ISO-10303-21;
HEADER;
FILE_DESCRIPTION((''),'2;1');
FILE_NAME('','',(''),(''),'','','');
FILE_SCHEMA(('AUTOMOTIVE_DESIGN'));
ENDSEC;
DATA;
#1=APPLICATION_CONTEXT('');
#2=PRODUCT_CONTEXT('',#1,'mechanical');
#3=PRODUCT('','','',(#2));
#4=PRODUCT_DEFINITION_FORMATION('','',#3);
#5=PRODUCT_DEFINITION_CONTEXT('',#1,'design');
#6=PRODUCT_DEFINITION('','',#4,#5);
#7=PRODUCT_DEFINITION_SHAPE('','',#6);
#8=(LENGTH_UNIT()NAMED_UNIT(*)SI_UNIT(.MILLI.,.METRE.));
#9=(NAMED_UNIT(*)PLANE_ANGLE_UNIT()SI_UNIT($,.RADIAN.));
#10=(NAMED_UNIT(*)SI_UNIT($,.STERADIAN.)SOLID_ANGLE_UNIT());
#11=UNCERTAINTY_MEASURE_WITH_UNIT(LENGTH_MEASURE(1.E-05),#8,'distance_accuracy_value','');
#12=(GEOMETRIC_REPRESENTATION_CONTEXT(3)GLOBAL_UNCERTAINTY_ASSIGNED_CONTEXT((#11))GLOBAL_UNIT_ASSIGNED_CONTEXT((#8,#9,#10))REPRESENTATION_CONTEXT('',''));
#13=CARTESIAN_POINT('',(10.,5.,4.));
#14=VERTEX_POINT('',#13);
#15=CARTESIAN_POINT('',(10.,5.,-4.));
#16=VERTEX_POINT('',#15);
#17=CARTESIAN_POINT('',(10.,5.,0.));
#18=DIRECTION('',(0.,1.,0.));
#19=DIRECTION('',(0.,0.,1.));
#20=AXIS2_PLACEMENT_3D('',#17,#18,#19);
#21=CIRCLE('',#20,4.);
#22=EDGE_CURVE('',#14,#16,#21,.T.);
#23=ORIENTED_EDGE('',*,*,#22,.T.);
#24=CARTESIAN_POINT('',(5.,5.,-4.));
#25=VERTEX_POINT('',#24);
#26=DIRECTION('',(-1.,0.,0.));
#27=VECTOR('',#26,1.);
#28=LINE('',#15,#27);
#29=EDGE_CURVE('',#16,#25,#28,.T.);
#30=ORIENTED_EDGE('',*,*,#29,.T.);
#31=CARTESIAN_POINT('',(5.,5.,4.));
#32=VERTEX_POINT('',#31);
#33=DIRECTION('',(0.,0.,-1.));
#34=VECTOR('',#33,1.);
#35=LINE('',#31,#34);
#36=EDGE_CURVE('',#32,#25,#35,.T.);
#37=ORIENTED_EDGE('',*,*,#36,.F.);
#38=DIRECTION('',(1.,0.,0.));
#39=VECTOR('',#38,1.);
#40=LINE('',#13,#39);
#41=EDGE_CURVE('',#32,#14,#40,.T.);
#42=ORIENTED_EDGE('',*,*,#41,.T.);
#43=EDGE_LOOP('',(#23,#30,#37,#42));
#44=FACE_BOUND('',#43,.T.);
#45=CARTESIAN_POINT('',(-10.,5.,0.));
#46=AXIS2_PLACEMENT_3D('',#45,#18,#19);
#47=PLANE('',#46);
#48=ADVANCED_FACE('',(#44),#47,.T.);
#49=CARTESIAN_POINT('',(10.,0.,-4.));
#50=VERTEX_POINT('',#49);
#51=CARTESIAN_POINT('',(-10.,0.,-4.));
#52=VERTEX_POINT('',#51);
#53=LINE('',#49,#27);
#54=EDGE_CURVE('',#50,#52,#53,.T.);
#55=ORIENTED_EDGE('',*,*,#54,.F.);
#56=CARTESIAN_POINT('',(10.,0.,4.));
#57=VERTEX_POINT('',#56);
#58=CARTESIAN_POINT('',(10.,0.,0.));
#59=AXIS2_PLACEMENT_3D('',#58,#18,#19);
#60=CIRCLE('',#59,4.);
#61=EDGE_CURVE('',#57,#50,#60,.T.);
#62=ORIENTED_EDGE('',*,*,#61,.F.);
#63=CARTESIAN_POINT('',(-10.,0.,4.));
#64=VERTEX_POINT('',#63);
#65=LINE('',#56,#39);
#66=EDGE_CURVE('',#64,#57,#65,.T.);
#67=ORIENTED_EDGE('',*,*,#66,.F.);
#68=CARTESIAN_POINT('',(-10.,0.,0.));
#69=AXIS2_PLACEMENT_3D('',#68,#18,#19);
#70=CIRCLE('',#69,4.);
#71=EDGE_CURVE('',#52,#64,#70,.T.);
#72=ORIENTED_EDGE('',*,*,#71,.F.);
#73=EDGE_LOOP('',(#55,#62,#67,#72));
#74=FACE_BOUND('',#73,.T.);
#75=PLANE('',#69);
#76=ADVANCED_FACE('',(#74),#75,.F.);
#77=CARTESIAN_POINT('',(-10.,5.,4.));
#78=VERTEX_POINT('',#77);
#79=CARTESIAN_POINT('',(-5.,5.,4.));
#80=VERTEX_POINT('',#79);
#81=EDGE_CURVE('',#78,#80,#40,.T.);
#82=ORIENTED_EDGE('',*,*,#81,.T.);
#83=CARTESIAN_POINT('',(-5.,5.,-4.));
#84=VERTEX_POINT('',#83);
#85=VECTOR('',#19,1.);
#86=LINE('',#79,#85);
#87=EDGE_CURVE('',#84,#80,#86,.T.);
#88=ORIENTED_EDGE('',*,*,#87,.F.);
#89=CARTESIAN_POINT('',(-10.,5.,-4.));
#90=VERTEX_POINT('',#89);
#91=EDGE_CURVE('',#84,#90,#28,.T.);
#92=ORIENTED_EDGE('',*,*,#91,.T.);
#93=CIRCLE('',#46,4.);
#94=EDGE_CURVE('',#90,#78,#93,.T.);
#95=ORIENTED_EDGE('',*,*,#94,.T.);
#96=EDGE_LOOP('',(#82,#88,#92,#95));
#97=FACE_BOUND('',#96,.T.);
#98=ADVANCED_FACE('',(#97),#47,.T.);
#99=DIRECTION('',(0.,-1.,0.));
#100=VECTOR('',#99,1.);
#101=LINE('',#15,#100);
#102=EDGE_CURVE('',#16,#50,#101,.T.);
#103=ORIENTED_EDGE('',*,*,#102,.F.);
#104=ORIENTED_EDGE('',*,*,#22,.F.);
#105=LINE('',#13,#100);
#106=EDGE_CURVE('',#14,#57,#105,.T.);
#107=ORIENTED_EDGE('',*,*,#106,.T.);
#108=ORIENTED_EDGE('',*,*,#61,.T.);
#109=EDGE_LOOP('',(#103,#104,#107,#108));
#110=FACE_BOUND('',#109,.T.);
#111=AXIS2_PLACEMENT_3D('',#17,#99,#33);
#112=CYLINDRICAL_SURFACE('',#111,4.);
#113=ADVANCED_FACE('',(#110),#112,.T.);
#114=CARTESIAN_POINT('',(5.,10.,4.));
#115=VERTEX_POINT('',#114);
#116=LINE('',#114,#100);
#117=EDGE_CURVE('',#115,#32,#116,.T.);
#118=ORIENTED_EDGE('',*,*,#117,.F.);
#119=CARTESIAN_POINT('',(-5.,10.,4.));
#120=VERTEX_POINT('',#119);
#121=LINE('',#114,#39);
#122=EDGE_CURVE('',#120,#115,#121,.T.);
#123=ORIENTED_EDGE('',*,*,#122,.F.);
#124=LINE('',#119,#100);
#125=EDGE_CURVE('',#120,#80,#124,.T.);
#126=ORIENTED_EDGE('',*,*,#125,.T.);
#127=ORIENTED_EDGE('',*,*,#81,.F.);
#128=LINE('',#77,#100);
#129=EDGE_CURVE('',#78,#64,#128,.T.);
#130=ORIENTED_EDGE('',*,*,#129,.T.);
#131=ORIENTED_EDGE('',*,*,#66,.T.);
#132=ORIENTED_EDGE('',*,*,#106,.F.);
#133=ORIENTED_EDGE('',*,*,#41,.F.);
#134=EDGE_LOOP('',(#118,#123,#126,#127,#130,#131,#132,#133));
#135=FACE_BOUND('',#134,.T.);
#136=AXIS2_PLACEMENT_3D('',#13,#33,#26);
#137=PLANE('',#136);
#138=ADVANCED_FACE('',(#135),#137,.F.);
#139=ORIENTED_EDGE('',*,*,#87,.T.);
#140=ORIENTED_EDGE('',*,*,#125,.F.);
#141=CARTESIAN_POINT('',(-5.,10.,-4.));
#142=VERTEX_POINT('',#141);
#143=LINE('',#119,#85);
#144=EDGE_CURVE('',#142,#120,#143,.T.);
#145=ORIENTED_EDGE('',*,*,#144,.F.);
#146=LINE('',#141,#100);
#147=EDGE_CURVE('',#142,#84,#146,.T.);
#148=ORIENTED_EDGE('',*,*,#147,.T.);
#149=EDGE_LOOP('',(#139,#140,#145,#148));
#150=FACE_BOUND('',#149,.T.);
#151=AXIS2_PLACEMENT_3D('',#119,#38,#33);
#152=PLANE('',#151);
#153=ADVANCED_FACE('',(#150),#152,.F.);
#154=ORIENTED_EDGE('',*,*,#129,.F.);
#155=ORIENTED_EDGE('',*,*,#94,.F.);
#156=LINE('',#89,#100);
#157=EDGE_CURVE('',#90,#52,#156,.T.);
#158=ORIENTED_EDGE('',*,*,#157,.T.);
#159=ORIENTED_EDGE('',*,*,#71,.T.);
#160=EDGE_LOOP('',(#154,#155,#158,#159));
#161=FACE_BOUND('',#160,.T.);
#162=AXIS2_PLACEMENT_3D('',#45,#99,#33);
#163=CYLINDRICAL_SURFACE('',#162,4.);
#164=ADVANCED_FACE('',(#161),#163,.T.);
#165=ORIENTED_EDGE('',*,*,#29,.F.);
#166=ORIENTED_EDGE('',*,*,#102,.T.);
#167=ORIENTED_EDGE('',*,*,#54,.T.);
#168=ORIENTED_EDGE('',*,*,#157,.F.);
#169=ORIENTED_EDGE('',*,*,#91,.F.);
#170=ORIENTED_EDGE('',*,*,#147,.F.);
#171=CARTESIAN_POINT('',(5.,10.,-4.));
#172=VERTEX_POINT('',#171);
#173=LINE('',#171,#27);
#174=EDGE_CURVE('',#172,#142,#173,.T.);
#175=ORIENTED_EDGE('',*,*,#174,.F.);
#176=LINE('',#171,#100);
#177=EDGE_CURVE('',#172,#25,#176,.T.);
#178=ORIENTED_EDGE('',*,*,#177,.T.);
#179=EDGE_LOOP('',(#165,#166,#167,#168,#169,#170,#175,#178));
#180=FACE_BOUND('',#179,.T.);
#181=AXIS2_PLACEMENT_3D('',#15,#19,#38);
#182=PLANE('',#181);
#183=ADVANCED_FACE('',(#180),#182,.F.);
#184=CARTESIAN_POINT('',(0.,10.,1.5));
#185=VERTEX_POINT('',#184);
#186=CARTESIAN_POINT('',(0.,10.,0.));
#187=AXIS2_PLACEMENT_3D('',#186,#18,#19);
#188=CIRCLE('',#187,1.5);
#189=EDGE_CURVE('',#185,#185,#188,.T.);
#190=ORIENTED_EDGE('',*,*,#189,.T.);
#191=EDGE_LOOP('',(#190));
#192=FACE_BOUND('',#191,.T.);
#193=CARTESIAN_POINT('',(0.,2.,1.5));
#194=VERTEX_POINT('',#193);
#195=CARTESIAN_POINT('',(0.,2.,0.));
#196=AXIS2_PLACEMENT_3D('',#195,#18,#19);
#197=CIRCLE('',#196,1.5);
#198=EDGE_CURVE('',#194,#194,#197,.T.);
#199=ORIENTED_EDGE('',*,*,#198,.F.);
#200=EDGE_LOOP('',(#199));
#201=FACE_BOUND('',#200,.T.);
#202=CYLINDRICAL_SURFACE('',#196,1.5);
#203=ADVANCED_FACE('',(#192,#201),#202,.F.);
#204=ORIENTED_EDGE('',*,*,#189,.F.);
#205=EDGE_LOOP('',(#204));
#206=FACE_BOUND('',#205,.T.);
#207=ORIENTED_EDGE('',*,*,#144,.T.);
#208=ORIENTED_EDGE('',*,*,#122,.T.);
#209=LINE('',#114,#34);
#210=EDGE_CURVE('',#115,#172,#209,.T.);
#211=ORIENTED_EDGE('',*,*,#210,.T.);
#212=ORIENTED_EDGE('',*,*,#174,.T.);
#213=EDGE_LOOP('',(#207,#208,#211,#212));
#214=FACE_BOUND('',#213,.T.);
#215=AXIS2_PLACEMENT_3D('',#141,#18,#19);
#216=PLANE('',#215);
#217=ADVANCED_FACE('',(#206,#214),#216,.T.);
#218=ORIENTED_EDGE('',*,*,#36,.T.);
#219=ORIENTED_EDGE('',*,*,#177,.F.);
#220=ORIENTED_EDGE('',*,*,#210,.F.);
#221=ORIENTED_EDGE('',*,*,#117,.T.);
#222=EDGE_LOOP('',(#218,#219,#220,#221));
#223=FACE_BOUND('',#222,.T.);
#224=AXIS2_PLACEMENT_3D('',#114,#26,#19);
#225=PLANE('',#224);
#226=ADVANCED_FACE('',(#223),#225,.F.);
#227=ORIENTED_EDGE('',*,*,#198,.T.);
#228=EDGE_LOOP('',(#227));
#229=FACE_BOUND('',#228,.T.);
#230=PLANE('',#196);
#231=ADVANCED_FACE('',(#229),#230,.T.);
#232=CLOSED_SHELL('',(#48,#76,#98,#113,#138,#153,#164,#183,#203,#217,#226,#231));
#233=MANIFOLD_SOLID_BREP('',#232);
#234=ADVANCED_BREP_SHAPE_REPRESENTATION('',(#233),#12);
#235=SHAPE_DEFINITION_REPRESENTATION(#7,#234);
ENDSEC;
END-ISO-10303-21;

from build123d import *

# Parameters (mm, degrees)
BOSS_EXTRUDE1_DEPTH = 5
SKETCH2_W           = 10
SKETCH2_H           = 8
BOSS_EXTRUDE2_DEPTH = 5
SKETCH3_R           = 1.5
CUT_EXTRUDE1_DEPTH  = 8


with BuildPart() as part:
    # Sketch1 → Boss-Extrude1 (new body)
    with BuildSketch(Plane(origin=(0, 0, 0), x_dir=(1, 0, 0), z_dir=(0, 1, 0))):
        with BuildLine():
            Line((10, -4), (-10, -4))
            ThreePointArc((-10, -4), (-14, 0), (-10, 4))
            Line((-10, 4), (10, 4))
            ThreePointArc((10, 4), (14, 0), (10, -4))
        make_face()
    extrude(amount=BOSS_EXTRUDE1_DEPTH)

    # Sketch2 → Boss-Extrude2 (add)
    with BuildSketch(Plane(origin=(0, 5, 0), x_dir=(1, 0, 0), z_dir=(0, 1, 0))):
        Rectangle(SKETCH2_W, SKETCH2_H)
    extrude(amount=BOSS_EXTRUDE2_DEPTH)

    # Sketch3 → Cut-Extrude1 (cut)
    with BuildSketch(Plane(origin=(0, 10, 0), x_dir=(1, 0, 0), z_dir=(0, 1, 0))):
        with Locations(Location((0, 0, 0), (0, 0, 270))):  # turned: the seam where the file's is
            Circle(SKETCH3_R)
    extrude(amount=-CUT_EXTRUDE1_DEPTH, mode=Mode.SUBTRACT)


solid = part.part
